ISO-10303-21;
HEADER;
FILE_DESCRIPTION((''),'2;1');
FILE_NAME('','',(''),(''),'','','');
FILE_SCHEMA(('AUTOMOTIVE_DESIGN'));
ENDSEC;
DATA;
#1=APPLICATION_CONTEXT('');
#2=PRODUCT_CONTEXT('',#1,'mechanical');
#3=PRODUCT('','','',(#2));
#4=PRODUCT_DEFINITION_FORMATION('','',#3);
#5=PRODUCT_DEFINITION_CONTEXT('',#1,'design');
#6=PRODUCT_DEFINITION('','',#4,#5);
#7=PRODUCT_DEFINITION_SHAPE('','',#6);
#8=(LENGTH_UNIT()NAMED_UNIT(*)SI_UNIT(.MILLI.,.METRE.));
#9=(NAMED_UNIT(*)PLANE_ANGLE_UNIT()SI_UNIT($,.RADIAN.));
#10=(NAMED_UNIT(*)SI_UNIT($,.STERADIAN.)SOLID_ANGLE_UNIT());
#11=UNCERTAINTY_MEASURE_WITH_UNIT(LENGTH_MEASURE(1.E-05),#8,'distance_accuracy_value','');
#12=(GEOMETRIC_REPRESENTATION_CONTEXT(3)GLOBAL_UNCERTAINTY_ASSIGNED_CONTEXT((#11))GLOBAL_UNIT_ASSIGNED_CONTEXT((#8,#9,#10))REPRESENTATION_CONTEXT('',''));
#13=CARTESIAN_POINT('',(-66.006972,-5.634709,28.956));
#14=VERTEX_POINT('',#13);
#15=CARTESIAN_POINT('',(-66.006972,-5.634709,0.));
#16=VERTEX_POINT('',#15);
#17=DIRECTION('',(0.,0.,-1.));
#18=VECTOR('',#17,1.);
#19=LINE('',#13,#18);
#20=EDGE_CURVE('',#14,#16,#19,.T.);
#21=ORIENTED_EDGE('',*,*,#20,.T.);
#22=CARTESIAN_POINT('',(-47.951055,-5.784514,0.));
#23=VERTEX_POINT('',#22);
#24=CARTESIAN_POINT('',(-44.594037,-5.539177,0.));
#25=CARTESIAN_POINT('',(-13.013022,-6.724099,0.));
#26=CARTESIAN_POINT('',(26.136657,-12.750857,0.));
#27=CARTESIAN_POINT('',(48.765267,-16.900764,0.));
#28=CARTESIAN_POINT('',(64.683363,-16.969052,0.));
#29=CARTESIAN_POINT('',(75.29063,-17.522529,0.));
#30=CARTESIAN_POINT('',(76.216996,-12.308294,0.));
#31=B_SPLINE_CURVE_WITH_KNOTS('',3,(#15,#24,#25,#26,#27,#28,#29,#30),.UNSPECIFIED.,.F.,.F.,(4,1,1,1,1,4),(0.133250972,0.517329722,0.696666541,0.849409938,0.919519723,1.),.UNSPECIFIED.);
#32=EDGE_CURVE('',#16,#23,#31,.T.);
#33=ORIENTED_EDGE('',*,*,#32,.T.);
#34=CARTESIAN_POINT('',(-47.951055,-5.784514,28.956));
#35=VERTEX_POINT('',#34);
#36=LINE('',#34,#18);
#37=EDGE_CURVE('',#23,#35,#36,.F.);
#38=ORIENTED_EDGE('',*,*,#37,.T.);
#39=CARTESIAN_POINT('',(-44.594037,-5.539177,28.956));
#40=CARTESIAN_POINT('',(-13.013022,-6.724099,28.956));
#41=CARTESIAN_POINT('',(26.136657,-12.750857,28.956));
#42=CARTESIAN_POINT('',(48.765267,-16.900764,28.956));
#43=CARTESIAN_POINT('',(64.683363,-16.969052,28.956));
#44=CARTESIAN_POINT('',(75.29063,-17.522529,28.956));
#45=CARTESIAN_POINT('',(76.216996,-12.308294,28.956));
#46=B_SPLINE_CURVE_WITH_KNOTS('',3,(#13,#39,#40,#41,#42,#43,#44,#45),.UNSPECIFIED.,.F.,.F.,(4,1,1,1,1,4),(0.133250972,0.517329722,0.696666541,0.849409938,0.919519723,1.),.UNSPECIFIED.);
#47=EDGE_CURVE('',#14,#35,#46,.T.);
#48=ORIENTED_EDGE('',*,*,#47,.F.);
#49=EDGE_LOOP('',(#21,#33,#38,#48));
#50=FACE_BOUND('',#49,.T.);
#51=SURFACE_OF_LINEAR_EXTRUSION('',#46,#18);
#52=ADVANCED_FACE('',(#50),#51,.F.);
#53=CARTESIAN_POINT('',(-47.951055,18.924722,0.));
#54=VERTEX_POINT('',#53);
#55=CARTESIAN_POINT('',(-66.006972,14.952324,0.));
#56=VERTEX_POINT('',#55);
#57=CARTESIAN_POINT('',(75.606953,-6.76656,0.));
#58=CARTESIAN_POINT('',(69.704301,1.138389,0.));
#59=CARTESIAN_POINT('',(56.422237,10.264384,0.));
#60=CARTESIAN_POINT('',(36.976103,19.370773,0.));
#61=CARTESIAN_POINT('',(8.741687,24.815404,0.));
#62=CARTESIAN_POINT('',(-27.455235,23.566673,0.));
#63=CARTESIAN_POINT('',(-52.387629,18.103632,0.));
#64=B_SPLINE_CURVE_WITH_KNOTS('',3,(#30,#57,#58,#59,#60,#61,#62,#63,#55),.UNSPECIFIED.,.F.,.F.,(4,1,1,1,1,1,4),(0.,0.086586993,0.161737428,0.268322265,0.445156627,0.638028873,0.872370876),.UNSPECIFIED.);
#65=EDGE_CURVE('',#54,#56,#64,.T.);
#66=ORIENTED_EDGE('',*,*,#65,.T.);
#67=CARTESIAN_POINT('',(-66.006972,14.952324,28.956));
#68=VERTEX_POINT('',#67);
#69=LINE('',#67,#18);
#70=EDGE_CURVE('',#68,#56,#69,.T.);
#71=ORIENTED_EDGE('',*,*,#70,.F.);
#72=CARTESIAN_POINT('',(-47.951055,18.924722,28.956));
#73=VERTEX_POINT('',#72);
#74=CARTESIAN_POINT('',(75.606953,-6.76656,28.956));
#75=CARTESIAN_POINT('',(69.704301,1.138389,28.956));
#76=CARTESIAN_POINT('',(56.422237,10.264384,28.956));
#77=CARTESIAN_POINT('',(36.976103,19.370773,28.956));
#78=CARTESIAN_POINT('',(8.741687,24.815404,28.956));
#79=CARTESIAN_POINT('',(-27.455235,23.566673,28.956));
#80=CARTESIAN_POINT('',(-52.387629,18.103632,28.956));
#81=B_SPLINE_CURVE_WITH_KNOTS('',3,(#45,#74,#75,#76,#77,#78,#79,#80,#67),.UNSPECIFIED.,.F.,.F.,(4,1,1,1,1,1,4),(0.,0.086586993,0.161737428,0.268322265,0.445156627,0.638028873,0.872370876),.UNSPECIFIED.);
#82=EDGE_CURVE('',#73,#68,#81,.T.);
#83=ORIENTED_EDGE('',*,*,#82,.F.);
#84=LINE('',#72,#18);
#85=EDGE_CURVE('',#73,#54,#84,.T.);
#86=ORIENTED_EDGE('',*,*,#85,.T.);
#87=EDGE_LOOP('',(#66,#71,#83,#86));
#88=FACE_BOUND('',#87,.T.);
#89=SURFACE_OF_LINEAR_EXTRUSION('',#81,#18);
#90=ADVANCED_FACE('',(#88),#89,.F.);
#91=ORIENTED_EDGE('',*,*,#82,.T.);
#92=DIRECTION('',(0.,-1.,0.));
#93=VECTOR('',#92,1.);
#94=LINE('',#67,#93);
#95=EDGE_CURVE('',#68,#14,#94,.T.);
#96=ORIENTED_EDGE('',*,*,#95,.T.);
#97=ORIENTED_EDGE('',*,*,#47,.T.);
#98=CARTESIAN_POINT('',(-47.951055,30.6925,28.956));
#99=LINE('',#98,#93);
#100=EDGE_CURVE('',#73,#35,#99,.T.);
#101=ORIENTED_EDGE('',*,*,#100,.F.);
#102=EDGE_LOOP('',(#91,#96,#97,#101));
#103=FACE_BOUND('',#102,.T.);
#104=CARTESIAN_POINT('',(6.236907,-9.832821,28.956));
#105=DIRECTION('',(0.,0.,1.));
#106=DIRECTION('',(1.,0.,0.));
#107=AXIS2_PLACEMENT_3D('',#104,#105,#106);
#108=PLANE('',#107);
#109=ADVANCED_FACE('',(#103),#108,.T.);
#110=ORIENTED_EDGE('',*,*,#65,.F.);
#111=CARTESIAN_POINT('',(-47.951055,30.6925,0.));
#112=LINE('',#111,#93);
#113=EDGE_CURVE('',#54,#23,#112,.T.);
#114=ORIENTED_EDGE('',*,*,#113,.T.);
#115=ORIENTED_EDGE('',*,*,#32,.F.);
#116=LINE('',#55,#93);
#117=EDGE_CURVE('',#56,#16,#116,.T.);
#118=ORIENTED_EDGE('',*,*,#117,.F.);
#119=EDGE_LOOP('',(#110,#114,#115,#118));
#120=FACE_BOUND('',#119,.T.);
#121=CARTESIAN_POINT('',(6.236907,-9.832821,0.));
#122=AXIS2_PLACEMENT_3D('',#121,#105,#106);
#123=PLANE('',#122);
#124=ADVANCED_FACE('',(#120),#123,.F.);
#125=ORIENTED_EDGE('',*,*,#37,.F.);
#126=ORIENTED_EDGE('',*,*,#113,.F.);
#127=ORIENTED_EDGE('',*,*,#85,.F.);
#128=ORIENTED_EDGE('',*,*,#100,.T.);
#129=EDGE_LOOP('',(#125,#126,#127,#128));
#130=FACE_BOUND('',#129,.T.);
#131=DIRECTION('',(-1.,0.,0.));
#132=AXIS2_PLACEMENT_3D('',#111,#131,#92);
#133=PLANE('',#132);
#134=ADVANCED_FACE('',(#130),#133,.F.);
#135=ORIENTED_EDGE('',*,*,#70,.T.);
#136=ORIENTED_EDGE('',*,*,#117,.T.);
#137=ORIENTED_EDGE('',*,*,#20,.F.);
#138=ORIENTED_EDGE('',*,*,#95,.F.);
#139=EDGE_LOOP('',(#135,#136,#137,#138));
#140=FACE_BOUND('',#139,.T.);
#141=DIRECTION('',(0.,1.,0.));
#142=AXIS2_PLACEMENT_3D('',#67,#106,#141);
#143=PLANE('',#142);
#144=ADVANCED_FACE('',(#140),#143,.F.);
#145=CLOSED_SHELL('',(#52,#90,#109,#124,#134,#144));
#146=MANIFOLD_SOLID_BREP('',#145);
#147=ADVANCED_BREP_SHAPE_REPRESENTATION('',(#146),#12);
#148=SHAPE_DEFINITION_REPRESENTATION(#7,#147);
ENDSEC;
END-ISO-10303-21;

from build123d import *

# Parameters (mm, degrees)
SKETCH1_R           = 2.127
BOSS_EXTRUDE1_DEPTH = 28.956
SKETCH2_W           = 215.463137009
SKETCH2_H           = 53.36276468
CUT_EXTRUDE1_DEPTH  = 28.956


with BuildPart() as part:
    # Sketch1 → Boss-Extrude1 (new body)
    with BuildSketch(Plane.XY):
        with BuildLine():
            Line((-66.006971629, 14.952323969), (-66.006971629, -5.634708623))
            add(Edge.make_bspline(
                [(-66.006971629, -5.634708623), (-44.594037188, -5.53917688), (-13.013022308, -6.724098502), (26.136656569, -12.750856754), (48.765267423, -16.900764204), (64.683362663, -16.969052393), (75.290630493, -17.522529218), (76.216996263, -12.308293591)],
                knots=[0.133250972, 0.133250972, 0.133250972, 0.133250972, 0.517329722, 0.696666541, 0.849409938, 0.919519723, 1, 1, 1, 1], degree=3))
            add(Edge.make_bspline(
                [(76.216996263, -12.308293591), (75.606952539, -6.766559658), (69.704300689, 1.138389205), (56.422236631, 10.264383598), (36.976103105, 19.370772836), (8.741687209, 24.815403957), (-27.455234983, 23.566672909), (-52.387628688, 18.103631651), (-66.006971629, 14.952323969)],
                knots=[0, 0, 0, 0, 0.086586993, 0.161737428, 0.268322265, 0.445156627, 0.638028873, 0.872370876, 0.872370876, 0.872370876, 0.872370876], degree=3))
        make_face()
        with Locations((63.516996263, -7.228293591)):
            Circle(SKETCH1_R, mode=Mode.SUBTRACT)
        with Locations((-25.383003737, 13.091706409)):
            Circle(SKETCH1_R, mode=Mode.SUBTRACT)
    extrude(amount=BOSS_EXTRUDE1_DEPTH)

    # Sketch2 → Cut-Extrude1 (cut)
    with BuildSketch(Plane.XY.offset(28.956)):
        with Locations((59.780513575, 4.011118028)):
            Rectangle(SKETCH2_W, SKETCH2_H)
    extrude(amount=-CUT_EXTRUDE1_DEPTH, mode=Mode.SUBTRACT)


solid = part.part
